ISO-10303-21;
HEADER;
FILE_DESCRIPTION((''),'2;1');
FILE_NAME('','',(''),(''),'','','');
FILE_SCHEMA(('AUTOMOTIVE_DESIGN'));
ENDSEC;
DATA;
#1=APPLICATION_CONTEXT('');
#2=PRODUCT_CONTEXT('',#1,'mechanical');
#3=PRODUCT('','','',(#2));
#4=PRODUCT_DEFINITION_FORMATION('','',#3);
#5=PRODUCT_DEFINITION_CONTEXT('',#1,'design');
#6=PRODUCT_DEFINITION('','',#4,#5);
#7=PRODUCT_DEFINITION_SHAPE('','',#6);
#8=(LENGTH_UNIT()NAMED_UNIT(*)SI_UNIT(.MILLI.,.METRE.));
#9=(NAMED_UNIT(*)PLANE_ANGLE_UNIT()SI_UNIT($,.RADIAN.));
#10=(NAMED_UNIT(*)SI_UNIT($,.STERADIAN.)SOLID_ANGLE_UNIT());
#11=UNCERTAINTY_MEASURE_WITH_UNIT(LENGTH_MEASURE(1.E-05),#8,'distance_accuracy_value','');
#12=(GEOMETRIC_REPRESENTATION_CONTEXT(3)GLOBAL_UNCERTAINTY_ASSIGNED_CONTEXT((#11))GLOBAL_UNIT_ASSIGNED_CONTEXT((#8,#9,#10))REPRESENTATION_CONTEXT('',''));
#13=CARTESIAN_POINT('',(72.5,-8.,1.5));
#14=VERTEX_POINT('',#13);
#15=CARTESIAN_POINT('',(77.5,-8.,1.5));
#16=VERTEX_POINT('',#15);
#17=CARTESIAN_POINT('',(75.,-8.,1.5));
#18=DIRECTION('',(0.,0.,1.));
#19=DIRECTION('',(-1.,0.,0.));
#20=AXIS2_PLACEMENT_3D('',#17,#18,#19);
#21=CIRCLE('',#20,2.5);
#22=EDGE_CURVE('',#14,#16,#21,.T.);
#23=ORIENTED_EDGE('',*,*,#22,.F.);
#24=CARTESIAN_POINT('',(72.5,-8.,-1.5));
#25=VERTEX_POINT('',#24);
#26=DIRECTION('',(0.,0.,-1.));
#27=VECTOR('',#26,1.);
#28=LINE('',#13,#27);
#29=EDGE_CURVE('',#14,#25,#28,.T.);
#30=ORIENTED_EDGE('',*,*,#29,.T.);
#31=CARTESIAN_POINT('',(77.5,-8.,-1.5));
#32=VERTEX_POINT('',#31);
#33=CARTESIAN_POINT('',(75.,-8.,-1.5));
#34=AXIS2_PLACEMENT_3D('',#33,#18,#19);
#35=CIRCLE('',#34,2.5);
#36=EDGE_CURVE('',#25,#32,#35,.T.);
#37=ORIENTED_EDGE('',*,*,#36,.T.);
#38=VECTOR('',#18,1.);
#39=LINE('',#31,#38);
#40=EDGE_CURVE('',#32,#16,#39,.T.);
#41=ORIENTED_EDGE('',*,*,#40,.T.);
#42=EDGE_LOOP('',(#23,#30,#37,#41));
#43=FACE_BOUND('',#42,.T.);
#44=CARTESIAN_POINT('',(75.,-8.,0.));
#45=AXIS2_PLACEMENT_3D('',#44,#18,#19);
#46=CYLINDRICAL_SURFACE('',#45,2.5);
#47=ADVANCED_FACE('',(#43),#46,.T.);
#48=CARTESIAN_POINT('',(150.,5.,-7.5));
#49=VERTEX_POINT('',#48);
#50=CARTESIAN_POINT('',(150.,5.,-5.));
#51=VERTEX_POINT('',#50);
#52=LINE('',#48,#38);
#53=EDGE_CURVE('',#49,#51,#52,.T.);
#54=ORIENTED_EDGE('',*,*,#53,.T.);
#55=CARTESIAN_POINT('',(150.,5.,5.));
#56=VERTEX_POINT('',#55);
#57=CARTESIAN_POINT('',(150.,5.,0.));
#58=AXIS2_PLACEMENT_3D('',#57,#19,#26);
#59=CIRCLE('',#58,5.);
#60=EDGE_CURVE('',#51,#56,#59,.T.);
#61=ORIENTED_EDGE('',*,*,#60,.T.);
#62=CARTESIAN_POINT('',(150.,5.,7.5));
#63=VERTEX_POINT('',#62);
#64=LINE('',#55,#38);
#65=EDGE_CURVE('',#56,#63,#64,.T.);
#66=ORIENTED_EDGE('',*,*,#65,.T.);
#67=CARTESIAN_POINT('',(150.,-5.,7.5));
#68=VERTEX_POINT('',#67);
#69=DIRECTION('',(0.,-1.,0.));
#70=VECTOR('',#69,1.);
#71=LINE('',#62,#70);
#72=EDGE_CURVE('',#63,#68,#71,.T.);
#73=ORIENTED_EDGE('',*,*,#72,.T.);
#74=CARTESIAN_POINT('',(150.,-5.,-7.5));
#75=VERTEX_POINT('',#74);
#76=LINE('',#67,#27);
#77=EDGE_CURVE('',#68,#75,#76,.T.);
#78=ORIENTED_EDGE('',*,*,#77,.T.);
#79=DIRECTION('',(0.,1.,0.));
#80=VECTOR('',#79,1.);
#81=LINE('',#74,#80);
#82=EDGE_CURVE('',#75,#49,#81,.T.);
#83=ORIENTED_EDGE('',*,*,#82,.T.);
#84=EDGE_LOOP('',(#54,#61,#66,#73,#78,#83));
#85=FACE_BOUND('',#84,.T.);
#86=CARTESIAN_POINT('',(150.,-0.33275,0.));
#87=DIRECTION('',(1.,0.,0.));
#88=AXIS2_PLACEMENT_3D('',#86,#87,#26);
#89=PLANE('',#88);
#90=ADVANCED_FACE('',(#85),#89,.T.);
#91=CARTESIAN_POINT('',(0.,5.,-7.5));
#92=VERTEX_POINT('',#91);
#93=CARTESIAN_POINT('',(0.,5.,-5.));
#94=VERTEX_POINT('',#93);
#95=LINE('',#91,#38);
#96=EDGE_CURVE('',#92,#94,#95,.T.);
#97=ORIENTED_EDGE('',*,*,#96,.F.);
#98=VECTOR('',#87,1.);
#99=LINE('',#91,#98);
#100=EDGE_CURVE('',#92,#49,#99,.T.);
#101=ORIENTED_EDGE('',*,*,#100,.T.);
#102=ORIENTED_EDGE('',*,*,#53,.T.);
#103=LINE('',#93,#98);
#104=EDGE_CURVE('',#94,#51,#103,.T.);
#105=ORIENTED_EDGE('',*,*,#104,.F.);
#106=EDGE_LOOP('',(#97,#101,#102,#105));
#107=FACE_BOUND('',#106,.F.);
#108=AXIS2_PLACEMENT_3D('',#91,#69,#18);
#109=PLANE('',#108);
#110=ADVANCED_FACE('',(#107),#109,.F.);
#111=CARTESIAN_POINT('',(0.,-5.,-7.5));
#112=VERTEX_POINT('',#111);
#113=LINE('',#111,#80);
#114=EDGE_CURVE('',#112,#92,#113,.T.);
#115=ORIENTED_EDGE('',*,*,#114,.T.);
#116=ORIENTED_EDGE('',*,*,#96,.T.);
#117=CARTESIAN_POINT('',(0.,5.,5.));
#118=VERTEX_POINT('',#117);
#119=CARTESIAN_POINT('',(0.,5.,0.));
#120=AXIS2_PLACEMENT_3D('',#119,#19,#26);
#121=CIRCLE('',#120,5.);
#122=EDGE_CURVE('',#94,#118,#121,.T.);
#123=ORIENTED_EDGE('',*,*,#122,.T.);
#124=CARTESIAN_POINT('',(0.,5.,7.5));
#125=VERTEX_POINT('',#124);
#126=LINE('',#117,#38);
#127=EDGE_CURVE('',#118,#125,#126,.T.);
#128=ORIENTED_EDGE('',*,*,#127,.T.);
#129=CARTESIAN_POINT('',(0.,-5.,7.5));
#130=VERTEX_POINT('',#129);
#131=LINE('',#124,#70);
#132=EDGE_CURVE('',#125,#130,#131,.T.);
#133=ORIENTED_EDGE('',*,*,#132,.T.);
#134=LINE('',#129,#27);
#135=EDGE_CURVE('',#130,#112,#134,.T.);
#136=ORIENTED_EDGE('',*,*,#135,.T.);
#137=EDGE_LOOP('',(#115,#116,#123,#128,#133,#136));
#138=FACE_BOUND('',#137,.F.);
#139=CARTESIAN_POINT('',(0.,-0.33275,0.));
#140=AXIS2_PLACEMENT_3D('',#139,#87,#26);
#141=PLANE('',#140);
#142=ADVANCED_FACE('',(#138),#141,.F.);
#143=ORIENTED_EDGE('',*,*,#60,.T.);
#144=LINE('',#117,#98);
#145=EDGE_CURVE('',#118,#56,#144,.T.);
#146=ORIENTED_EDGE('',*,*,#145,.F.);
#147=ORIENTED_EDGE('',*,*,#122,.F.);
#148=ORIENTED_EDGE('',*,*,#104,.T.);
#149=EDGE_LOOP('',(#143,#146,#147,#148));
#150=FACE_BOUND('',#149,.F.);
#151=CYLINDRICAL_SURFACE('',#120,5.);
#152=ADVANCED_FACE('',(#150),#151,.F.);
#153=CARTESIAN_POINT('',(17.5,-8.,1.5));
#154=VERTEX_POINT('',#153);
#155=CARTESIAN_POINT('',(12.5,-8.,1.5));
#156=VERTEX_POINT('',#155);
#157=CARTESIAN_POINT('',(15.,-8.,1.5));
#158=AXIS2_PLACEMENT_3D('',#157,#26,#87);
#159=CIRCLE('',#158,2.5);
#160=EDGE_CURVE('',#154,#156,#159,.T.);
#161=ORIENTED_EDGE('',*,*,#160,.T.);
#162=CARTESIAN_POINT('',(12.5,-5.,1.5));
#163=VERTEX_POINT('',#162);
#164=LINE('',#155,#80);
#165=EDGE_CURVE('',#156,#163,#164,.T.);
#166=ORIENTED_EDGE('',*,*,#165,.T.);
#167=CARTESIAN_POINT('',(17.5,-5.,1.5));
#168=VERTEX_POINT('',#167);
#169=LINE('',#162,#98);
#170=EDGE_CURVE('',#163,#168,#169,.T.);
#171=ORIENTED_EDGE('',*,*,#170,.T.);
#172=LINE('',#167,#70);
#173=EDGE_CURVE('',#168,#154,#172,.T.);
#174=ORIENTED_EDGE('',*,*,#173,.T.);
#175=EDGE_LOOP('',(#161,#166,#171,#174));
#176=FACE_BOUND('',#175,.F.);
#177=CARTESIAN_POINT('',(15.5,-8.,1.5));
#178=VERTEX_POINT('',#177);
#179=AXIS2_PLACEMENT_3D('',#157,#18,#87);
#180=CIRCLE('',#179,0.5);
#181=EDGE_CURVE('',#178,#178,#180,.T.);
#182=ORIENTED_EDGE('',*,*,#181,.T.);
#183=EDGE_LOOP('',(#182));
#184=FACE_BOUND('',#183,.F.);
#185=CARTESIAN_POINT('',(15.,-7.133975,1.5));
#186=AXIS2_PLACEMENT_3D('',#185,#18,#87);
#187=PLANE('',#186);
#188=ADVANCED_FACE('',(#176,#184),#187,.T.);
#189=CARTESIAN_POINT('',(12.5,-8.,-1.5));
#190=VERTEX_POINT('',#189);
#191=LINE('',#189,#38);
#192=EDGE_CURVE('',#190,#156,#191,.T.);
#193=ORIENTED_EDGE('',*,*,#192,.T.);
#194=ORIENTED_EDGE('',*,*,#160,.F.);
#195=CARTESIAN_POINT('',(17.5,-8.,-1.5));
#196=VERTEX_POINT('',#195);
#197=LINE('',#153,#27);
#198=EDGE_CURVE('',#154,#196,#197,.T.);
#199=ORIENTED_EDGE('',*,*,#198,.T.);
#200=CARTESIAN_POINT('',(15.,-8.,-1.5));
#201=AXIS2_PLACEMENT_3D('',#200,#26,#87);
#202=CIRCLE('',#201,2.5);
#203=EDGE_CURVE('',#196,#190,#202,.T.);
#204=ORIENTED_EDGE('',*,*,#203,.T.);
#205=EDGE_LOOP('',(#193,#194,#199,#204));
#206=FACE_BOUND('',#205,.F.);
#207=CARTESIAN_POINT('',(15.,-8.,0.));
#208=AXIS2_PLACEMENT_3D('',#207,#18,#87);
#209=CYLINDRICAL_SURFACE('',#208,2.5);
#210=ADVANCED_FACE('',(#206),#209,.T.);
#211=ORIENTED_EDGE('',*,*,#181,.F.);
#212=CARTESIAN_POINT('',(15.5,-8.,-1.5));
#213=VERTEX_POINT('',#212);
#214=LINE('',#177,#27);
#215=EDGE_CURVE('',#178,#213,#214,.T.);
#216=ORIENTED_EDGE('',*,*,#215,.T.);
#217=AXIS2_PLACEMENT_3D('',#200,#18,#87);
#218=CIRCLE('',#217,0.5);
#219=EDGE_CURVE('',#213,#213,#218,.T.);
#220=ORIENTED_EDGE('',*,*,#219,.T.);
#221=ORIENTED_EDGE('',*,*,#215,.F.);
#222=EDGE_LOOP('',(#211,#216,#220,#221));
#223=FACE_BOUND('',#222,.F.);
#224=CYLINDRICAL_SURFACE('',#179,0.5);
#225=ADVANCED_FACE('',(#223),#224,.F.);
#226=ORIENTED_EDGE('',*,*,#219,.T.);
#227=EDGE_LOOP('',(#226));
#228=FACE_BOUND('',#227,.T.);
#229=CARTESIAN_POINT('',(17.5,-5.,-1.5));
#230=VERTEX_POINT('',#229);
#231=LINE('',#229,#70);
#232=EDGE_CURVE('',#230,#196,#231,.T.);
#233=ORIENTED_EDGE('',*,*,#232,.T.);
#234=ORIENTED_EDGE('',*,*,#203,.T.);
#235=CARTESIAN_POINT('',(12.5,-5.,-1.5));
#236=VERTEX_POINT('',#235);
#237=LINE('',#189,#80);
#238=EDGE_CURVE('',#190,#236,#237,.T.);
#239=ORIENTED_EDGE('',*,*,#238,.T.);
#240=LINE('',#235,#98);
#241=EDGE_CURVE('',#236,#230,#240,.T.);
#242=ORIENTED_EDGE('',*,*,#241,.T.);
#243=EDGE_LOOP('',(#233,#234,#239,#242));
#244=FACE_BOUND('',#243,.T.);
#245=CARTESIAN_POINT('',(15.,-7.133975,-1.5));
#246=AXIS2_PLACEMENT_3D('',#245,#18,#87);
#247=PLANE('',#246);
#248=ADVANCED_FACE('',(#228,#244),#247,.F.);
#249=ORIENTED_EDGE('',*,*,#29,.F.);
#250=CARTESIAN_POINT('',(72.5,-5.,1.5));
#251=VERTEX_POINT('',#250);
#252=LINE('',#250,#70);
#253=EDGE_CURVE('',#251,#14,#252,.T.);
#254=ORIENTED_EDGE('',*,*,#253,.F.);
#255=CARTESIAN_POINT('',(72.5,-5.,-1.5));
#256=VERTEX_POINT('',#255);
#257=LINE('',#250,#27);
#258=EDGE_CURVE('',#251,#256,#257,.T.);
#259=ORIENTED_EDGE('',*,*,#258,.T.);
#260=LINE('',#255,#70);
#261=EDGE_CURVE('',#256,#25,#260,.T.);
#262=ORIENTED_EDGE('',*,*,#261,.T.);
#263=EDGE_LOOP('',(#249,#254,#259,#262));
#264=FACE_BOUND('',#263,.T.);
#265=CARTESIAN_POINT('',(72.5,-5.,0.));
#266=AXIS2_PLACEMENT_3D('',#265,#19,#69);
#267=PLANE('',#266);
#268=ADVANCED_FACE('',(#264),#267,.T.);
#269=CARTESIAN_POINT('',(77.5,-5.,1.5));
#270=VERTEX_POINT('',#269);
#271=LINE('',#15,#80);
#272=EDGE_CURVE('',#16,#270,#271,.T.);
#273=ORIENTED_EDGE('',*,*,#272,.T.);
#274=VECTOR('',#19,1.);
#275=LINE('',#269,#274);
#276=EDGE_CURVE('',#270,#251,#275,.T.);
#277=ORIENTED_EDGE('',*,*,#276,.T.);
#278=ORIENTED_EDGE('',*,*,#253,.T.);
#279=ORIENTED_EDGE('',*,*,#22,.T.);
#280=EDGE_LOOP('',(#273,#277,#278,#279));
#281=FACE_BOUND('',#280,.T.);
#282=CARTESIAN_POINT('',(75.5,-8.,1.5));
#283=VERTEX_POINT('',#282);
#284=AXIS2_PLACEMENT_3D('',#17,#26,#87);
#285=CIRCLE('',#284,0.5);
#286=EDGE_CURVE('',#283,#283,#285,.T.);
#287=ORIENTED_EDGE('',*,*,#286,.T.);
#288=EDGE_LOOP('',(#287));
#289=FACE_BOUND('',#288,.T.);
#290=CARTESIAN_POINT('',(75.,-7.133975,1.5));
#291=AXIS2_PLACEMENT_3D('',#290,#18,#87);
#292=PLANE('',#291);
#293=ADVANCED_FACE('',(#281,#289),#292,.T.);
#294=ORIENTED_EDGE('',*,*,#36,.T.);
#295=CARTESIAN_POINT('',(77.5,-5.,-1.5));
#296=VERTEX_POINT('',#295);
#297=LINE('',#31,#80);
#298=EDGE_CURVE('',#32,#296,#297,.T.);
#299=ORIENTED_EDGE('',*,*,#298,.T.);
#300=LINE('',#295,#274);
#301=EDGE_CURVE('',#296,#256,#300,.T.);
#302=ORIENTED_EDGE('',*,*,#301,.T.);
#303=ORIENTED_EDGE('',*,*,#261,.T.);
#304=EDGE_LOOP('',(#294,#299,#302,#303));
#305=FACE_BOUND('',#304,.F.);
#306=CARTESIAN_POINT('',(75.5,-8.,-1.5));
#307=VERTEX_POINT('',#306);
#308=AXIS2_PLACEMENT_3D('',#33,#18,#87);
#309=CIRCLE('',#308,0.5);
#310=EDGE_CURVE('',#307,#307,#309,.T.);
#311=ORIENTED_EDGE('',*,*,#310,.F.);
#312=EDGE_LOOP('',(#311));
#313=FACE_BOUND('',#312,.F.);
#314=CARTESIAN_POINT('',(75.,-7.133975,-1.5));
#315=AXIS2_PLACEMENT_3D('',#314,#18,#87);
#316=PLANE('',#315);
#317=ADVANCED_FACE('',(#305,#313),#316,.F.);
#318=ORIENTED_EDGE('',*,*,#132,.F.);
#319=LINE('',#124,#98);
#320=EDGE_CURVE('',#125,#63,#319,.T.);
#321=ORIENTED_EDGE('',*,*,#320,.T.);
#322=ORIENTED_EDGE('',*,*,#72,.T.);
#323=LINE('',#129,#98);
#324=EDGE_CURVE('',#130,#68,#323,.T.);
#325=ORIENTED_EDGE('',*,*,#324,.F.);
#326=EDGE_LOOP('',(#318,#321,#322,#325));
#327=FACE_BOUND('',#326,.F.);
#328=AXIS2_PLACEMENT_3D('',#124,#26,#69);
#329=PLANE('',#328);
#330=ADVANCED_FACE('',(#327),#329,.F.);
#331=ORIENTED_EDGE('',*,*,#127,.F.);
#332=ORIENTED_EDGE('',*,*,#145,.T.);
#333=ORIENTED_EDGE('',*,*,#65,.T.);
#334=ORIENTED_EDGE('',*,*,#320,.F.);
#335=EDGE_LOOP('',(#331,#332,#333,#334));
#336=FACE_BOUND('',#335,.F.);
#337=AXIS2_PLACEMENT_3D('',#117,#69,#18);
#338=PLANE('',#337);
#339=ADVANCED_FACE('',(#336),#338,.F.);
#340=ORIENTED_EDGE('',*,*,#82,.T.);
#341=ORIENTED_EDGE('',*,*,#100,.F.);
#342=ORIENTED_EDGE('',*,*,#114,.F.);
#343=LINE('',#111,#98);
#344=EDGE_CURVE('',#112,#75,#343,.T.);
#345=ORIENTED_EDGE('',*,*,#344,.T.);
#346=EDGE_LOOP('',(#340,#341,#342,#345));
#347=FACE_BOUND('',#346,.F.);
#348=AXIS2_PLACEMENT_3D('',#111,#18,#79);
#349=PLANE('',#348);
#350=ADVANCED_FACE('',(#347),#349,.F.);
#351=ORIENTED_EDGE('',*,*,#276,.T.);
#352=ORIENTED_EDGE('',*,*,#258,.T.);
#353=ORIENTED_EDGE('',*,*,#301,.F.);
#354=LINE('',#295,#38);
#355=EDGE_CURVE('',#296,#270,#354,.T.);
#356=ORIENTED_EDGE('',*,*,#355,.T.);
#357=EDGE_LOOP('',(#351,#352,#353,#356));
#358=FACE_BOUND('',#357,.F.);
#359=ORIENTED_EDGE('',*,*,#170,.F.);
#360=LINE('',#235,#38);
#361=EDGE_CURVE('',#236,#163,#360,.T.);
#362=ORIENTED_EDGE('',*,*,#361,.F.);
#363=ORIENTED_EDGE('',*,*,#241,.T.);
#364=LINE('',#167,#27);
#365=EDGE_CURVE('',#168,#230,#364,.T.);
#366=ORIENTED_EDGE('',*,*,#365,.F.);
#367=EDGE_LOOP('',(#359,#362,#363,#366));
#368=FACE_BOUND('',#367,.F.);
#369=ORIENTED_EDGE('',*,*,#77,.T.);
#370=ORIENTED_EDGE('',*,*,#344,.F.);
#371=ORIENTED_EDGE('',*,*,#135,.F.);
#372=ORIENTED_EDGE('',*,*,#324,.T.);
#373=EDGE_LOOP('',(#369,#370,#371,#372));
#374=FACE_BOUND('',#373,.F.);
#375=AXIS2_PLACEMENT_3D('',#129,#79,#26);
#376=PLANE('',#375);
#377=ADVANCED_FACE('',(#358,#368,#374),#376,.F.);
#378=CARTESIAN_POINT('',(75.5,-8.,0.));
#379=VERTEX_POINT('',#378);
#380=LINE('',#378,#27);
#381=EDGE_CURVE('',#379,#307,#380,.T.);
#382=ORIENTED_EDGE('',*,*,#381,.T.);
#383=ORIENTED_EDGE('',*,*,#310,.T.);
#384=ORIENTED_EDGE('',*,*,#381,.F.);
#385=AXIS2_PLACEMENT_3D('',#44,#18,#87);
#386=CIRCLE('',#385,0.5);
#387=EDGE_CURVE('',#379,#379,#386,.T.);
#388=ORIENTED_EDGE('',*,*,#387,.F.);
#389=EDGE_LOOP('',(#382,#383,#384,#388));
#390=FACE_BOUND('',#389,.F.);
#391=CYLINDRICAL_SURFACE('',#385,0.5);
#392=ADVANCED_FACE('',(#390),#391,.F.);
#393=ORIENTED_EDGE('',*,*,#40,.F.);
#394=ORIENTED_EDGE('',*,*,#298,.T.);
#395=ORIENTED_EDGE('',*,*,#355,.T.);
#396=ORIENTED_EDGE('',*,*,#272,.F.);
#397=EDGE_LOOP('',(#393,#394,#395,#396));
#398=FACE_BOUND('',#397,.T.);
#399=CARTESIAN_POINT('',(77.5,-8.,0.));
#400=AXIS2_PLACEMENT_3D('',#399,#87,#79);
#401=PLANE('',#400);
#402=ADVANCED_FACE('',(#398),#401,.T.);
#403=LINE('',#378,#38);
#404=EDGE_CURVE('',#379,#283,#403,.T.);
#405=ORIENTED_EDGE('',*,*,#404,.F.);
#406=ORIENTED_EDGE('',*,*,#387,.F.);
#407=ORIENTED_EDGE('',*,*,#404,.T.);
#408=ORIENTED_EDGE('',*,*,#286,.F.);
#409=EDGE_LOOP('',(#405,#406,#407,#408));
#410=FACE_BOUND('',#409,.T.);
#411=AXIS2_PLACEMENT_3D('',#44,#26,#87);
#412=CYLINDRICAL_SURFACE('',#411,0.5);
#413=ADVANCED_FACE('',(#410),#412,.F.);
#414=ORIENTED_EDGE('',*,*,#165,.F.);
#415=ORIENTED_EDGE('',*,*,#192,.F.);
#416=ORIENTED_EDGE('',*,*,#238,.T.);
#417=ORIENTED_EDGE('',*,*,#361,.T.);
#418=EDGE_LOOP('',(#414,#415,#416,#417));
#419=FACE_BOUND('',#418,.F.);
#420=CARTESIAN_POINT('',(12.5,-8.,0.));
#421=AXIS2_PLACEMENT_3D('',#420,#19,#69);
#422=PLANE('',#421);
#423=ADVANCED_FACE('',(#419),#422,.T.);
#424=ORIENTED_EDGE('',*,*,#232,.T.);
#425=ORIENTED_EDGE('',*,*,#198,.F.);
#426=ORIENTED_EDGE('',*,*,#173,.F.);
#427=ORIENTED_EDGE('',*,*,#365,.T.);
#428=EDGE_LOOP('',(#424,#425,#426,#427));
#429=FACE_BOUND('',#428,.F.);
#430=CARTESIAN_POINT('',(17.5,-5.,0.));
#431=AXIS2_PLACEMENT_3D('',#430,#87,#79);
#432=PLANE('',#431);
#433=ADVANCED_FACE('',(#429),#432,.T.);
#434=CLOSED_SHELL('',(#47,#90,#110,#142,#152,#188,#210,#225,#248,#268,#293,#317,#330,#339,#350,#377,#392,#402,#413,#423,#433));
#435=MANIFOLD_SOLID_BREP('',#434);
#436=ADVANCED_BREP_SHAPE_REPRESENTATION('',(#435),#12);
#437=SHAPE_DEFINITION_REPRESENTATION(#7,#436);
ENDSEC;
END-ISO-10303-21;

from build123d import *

# Parameters (mm, degrees)
BOSS_EXTRUDE1_DEPTH     = 150
BOSS_EXTRUDE6_DEPTH     = 1.5
SKETCH7_R               = 0.5
CUT_EXTRUDE1_DEPTH      = 8.5
CUT_EXTRUDE1_DEPTH_BACK = 8.5
SKETCH9_R               = 0.5
CUT_EXTRUDE2_DEPTH      = 10


with BuildPart() as part:
    # Sketch1 → Boss-Extrude1 (new body)
    with BuildSketch(Plane(origin=(0, 0, 0), x_dir=(0, 0, -1), z_dir=(1, 0, 0))):
        with BuildLine():
            Line((7.5, 5), (5, 5))
            ThreePointArc((5, 5), (0, 0), (-5, 5))
            Line((-5, 5), (-7.5, 5))
            Line((-7.5, 5), (-7.5, -5))
            Line((-7.5, -5), (7.5, -5))
            Line((7.5, -5), (7.5, 5))
        make_face()
    extrude(amount=BOSS_EXTRUDE1_DEPTH)

    # Sketch6 → Boss-Extrude6 (add, symmetric)
    with BuildSketch(Plane.XY):
        with BuildLine():
            ThreePointArc((77.5, -8), (75, -5.5), (72.5, -8))
            Line((72.5, -8), (77.5, -8))
        make_face()
        with BuildLine():
            Line((77.5, -8), (72.5, -8))
            ThreePointArc((72.5, -8), (75, -10.5), (77.5, -8))
        make_face()
        with BuildLine():
            Line((77.5, -5), (72.5, -5))
            Line((72.5, -5), (72.5, -8))
            ThreePointArc((72.5, -8), (75, -5.5), (77.5, -8))
            Line((77.5, -8), (77.5, -5))
        make_face()
    boss_extrude6 = extrude(amount=BOSS_EXTRUDE6_DEPTH, both=True)

    # Mirror1: Boss-Extrude6 across plane
    add(boss_extrude6.mirror(Plane.ZY.offset(-45)))

    # Sketch7 → Cut-Extrude1 (cut, two sides)
    with BuildSketch(Plane.XY) as cut_extrude1_sk:
        with Locations((75, -8)):
            Circle(SKETCH7_R)
    extrude(amount=CUT_EXTRUDE1_DEPTH, mode=Mode.SUBTRACT)
    extrude(cut_extrude1_sk.sketch, amount=-CUT_EXTRUDE1_DEPTH_BACK, mode=Mode.SUBTRACT)

    # Sketch9 → Cut-Extrude2 (cut)
    with BuildSketch(Plane.XY.offset(1.5)):
        with Locations((15, -8)):
            Circle(SKETCH9_R)
    extrude(amount=-CUT_EXTRUDE2_DEPTH, mode=Mode.SUBTRACT)


solid = part.part
